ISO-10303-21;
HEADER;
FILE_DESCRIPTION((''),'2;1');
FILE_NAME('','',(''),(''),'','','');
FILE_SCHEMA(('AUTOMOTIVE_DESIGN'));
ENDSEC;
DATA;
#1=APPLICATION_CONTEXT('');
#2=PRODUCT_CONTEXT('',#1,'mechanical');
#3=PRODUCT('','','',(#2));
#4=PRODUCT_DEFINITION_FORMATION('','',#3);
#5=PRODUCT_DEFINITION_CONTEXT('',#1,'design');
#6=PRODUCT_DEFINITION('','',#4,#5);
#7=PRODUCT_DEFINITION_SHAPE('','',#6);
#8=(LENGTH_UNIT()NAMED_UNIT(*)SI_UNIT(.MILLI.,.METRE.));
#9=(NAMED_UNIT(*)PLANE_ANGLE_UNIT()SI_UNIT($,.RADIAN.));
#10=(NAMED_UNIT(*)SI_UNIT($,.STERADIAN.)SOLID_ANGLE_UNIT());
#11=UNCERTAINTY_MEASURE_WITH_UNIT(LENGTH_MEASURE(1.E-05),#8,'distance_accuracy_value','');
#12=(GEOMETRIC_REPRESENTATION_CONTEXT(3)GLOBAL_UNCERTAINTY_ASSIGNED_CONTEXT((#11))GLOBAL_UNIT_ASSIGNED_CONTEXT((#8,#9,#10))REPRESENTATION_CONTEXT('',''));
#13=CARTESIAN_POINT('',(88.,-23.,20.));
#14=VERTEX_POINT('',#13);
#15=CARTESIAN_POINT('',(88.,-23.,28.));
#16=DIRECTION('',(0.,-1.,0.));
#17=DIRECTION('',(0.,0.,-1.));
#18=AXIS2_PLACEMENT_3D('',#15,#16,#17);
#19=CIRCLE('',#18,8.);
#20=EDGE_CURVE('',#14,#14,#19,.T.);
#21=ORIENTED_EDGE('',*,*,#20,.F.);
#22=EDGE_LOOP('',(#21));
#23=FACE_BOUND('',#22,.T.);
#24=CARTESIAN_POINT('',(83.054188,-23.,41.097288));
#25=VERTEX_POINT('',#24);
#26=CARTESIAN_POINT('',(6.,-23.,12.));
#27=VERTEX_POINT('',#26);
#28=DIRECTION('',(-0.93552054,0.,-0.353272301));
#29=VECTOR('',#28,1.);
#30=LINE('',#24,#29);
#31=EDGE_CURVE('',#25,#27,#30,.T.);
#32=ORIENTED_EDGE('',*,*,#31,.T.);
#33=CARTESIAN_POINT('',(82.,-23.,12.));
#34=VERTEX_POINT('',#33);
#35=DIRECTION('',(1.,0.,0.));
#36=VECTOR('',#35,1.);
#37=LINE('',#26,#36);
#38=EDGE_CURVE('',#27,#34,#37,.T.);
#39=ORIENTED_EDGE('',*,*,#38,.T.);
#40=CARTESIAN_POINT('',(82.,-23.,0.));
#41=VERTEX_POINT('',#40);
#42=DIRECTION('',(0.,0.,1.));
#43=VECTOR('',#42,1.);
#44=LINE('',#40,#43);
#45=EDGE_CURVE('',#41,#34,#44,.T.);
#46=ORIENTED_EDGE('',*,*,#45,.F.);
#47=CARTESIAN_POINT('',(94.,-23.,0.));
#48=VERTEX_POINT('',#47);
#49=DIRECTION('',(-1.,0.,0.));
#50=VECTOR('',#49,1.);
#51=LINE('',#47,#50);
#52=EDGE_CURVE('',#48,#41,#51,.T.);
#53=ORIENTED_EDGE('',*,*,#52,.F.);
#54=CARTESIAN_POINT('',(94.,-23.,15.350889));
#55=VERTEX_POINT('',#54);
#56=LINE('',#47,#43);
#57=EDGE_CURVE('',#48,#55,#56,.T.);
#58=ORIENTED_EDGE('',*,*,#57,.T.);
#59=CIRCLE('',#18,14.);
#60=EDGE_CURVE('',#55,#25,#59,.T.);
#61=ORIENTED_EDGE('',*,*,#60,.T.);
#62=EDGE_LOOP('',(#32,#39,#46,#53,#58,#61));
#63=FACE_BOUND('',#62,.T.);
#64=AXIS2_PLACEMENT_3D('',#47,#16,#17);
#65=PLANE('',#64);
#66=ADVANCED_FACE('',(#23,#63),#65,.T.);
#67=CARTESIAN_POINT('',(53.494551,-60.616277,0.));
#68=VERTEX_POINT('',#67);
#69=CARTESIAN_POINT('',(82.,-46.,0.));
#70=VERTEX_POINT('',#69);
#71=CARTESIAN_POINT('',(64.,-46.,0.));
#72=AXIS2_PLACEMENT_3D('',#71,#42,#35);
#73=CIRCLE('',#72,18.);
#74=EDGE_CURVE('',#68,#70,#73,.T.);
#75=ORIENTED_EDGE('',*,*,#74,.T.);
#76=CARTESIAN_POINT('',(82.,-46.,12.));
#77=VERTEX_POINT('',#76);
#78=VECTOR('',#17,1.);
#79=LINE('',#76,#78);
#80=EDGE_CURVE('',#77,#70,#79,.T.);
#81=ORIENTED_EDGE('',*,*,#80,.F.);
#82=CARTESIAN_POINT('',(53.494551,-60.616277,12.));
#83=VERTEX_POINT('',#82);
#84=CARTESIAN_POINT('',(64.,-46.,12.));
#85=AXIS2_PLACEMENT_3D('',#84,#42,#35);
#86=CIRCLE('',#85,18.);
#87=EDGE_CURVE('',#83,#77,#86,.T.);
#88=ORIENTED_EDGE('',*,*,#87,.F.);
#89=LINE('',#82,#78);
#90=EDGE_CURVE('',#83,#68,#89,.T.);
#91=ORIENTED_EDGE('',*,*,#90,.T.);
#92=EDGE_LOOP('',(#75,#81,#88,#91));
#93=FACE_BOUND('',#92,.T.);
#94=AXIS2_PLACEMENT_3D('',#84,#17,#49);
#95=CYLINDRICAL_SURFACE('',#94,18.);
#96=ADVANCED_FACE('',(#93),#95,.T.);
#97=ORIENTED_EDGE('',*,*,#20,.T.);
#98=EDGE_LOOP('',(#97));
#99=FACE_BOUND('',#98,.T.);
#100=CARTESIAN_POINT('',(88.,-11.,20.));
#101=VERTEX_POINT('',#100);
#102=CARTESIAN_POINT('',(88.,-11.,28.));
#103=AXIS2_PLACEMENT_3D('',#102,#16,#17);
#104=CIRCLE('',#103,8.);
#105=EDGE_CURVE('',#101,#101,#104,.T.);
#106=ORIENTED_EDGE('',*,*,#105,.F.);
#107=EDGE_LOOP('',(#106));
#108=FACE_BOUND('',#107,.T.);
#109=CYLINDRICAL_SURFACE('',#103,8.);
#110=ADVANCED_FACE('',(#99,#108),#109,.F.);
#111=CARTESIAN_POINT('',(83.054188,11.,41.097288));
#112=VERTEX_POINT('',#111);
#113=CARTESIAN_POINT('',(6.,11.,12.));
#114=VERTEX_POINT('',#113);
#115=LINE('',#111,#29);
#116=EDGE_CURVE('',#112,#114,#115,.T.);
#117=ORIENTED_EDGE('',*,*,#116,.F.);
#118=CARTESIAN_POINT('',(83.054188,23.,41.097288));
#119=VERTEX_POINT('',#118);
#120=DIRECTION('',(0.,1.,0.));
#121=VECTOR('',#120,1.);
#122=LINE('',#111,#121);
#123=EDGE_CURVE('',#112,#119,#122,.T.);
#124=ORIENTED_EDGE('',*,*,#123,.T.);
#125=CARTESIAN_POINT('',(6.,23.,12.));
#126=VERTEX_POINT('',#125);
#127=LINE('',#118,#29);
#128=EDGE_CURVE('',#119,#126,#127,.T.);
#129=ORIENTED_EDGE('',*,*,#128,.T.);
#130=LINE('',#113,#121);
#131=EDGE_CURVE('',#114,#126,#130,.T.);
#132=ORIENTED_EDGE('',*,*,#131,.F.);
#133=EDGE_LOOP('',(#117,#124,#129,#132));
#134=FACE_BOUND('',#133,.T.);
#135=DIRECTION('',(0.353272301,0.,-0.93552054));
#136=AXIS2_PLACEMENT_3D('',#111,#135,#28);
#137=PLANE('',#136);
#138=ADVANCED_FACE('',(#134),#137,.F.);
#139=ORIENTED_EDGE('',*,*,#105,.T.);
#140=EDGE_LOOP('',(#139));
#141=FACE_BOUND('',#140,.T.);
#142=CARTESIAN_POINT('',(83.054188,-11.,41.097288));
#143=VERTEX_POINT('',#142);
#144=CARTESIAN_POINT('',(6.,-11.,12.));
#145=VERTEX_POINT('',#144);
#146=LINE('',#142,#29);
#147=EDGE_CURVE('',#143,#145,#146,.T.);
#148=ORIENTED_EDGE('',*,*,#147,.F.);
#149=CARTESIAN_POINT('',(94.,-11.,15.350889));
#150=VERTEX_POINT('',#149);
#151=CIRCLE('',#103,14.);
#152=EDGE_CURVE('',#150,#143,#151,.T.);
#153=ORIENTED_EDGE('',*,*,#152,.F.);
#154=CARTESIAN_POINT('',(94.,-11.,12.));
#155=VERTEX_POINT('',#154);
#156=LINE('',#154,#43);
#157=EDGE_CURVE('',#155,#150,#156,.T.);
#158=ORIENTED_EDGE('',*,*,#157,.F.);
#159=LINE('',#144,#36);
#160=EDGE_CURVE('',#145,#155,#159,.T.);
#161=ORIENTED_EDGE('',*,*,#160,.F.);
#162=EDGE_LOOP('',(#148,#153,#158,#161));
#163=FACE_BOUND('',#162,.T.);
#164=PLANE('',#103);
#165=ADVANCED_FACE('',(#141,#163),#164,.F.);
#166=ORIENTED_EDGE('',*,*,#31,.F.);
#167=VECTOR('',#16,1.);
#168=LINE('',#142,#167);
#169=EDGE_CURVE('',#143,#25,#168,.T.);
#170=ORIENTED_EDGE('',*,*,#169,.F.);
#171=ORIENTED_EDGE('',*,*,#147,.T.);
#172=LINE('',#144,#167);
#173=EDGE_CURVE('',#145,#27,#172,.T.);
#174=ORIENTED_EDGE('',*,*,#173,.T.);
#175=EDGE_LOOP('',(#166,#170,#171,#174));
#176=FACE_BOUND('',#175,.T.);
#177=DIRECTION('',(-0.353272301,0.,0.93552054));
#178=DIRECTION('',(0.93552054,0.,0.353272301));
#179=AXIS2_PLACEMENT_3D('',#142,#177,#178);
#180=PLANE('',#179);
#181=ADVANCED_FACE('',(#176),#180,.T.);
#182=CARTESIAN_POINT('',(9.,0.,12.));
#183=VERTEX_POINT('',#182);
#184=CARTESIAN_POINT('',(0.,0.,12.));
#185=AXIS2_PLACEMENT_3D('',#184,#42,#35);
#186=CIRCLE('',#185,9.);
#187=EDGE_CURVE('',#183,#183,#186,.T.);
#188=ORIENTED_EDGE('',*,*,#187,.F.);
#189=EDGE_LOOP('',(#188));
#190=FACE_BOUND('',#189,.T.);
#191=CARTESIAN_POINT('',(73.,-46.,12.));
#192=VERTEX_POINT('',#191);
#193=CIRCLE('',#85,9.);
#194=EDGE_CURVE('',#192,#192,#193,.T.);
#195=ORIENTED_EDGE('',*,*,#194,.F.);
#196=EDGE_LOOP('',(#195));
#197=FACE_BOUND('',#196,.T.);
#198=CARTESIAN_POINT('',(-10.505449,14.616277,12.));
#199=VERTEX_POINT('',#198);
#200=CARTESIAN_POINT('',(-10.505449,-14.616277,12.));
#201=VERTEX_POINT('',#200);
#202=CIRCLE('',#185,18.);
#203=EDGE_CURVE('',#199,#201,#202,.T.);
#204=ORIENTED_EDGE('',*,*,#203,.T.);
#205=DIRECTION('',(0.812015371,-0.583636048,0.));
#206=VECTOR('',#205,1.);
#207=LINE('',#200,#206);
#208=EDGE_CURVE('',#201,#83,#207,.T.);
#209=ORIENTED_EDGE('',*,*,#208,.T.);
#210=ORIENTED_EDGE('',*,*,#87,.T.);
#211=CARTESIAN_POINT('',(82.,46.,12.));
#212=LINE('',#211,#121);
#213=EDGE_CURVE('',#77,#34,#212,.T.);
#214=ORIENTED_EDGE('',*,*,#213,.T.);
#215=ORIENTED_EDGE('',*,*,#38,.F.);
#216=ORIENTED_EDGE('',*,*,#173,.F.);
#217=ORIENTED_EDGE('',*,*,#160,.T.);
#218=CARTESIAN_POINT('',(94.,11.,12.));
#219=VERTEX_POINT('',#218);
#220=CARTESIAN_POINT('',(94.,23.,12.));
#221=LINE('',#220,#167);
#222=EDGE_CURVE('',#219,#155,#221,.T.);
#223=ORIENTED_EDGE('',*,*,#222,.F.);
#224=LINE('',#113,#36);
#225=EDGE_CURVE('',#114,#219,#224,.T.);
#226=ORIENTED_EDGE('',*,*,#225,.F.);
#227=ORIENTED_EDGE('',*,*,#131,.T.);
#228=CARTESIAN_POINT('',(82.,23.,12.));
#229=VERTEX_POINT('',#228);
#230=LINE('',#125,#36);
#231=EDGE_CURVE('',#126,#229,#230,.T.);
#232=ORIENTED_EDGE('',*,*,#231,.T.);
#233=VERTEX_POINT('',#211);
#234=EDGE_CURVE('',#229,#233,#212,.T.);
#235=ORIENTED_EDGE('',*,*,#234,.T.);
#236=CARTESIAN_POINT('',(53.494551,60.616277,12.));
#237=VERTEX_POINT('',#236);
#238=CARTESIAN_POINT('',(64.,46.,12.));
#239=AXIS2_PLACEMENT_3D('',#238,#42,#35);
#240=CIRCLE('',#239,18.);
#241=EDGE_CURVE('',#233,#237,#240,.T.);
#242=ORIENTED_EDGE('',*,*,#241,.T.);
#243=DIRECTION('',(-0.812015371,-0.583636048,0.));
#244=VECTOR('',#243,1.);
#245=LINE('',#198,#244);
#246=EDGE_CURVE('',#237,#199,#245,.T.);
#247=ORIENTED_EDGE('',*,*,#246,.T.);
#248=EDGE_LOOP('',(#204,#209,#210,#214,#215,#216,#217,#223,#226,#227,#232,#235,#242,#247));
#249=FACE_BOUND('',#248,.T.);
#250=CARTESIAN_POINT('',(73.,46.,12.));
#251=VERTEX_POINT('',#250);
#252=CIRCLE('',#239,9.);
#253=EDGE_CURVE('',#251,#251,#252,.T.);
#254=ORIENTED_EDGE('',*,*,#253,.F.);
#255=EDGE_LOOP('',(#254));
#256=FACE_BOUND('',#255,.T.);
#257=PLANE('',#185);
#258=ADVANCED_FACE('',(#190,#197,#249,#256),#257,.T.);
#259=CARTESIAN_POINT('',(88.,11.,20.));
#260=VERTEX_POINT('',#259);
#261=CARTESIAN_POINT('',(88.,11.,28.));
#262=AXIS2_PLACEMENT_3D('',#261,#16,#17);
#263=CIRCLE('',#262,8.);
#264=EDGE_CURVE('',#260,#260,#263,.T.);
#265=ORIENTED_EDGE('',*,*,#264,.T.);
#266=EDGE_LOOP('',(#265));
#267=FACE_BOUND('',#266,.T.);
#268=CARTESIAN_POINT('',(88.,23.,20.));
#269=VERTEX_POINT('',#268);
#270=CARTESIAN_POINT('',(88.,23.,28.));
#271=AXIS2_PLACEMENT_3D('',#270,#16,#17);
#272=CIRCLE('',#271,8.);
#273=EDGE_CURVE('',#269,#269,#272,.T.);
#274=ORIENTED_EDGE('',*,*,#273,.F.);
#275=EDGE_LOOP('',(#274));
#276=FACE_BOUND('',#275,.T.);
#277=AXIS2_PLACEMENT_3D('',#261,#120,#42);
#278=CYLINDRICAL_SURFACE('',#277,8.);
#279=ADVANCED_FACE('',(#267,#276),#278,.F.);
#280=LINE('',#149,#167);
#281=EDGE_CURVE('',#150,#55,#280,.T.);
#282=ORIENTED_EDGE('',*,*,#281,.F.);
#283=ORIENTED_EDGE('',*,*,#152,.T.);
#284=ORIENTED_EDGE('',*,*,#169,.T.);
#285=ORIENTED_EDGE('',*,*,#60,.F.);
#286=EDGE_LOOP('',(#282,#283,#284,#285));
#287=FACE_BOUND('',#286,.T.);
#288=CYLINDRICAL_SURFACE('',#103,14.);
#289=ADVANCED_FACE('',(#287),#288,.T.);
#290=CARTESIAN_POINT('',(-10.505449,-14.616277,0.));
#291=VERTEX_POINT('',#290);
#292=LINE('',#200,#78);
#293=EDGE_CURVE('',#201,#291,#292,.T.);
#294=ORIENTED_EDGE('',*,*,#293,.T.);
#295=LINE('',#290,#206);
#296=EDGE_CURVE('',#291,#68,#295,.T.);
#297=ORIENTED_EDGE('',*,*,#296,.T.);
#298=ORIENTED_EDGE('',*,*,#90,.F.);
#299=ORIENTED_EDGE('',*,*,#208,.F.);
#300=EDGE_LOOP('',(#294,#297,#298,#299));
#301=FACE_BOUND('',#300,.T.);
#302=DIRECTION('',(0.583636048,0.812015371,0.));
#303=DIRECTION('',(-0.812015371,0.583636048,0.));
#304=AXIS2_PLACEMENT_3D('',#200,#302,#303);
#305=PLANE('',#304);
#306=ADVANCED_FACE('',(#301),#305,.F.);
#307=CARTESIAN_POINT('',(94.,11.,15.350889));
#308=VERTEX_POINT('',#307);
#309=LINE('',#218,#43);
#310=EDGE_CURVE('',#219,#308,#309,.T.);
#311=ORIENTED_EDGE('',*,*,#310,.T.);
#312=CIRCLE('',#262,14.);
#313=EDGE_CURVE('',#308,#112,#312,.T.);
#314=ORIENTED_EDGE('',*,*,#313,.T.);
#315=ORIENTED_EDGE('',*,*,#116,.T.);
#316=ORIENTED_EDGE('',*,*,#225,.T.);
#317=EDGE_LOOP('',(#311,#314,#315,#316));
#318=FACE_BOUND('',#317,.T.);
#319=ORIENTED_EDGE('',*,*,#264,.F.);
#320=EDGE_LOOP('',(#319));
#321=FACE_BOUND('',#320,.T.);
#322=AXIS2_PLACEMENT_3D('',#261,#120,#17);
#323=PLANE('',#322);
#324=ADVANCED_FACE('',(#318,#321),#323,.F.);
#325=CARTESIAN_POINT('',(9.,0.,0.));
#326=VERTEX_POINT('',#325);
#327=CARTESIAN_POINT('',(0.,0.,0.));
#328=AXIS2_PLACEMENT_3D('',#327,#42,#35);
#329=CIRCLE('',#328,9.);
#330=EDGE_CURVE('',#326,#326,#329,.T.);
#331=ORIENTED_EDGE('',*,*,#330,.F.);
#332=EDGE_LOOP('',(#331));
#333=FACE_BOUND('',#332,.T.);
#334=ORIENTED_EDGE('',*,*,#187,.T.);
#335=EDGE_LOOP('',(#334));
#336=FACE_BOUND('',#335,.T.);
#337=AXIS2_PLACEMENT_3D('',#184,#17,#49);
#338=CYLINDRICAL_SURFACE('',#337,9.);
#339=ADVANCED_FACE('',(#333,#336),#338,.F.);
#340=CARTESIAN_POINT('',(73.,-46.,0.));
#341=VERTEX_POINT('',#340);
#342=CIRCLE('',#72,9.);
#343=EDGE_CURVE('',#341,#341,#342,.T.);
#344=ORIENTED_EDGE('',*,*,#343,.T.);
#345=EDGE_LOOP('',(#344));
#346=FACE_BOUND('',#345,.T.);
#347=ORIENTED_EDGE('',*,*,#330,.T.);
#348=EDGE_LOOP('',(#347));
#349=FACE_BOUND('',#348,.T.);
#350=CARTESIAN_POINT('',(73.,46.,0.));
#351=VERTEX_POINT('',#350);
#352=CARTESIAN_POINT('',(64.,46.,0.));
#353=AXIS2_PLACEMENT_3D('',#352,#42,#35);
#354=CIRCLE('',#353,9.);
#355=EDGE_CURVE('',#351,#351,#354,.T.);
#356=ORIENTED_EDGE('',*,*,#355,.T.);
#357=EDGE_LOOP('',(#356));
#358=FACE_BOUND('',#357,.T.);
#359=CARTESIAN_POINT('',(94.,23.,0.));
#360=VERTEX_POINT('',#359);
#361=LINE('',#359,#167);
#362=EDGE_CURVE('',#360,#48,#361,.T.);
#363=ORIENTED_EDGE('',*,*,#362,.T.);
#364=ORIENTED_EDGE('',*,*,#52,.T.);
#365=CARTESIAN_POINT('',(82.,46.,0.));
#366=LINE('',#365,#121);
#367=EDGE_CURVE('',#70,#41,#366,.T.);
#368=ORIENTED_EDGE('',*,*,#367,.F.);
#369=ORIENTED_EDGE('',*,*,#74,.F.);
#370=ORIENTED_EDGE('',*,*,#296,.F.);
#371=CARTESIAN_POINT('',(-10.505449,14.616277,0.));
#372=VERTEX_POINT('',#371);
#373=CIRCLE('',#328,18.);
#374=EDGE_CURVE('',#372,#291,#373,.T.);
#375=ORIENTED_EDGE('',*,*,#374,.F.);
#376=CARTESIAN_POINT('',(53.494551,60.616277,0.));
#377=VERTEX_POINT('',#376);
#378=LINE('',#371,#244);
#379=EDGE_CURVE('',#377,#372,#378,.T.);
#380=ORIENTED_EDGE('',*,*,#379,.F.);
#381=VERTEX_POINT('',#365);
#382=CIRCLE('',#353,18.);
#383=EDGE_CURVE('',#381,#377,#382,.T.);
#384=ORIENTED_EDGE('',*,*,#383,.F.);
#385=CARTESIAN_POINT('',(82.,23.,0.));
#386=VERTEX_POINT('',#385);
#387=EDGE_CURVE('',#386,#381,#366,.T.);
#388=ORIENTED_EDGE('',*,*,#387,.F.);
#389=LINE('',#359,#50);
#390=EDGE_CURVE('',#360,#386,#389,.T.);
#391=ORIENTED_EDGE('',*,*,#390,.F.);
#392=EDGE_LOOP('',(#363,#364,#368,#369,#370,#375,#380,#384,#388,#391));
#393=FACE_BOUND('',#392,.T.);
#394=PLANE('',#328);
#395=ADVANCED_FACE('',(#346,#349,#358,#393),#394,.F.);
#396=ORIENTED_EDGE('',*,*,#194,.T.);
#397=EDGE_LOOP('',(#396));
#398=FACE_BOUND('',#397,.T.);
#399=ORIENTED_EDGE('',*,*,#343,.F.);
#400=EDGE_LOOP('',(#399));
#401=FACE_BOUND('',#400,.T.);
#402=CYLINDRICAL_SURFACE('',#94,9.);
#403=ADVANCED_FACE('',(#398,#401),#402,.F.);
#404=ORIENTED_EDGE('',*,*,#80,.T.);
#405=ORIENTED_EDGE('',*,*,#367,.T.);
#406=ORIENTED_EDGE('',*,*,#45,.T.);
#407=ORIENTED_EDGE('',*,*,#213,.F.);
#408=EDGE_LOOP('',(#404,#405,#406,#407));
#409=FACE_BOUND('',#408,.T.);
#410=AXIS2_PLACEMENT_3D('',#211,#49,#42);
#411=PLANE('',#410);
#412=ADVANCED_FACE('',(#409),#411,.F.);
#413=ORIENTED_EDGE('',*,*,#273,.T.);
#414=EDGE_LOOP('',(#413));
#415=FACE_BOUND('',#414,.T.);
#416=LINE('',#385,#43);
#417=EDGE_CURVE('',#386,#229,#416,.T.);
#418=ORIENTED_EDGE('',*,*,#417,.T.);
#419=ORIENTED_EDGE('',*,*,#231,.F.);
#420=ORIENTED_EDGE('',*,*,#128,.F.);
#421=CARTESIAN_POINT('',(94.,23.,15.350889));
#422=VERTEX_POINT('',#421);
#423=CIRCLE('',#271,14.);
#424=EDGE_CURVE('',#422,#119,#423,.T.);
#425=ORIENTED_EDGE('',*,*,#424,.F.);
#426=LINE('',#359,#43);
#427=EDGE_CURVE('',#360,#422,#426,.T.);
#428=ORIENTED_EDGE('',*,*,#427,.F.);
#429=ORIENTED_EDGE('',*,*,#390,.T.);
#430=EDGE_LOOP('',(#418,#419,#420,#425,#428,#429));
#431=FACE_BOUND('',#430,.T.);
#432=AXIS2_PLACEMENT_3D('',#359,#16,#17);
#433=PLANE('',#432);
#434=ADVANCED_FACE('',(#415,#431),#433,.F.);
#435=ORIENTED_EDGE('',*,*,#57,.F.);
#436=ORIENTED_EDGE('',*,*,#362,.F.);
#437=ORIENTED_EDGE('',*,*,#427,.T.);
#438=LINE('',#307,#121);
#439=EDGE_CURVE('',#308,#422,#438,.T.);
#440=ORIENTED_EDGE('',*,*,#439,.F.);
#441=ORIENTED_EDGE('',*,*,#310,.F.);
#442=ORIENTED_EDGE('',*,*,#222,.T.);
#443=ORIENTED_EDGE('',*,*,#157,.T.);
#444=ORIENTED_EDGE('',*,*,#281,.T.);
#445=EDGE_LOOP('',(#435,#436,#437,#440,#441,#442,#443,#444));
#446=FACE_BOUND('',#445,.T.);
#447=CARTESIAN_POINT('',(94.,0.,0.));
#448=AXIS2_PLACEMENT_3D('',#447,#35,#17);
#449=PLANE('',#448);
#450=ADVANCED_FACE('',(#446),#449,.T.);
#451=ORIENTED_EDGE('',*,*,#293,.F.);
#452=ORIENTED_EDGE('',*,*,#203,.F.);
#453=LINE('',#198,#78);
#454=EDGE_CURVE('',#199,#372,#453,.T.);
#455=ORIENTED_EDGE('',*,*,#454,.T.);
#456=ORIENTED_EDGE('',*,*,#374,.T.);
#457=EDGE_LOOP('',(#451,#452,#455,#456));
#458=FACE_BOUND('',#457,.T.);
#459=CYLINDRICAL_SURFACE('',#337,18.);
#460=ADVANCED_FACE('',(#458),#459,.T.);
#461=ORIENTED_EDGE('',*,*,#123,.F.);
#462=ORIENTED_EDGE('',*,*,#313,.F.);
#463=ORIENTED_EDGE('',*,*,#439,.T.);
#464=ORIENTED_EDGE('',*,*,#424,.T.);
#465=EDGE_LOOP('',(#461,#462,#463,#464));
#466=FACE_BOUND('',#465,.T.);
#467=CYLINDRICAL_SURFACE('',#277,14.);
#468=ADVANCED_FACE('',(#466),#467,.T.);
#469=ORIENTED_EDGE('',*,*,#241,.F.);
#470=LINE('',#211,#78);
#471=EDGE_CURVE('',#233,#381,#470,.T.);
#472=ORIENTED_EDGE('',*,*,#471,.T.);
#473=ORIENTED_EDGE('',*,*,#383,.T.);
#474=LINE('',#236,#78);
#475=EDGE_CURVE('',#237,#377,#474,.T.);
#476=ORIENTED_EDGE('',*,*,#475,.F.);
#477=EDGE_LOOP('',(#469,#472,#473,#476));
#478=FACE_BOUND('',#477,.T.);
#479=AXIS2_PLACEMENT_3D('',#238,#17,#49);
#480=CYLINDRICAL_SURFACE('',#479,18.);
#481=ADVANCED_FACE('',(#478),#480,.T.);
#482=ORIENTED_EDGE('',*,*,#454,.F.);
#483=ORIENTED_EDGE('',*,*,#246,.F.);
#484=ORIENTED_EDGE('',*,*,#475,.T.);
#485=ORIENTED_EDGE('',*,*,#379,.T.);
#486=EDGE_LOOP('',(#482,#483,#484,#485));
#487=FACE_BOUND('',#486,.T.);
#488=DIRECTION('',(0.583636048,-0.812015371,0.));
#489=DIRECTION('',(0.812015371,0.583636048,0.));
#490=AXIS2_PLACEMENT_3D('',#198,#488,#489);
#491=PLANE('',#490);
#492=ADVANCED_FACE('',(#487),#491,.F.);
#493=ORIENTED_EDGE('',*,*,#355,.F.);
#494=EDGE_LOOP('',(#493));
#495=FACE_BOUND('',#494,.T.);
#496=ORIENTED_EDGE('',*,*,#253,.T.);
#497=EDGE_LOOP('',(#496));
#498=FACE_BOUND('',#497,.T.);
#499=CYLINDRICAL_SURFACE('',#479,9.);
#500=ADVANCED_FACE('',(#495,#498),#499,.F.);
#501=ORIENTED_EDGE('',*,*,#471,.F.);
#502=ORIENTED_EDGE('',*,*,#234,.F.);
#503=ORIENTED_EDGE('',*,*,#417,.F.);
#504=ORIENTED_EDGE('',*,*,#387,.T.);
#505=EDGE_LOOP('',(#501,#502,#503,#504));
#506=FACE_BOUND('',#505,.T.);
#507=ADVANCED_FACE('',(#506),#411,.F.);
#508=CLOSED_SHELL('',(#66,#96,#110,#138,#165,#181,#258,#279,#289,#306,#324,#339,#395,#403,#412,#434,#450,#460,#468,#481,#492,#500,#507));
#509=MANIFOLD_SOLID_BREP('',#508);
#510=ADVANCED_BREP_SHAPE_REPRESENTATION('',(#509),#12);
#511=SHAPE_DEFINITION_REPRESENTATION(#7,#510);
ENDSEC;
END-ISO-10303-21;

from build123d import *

# Parameters (mm, degrees)
SKETCH1_R            = 9
BOSS_EXTRUDE1_DEPTH  = 12
SKETCH6_W            = 12
SKETCH6_H            = 46
BOSS_EXTRUDE5_DEPTH  = 12
SKETCH7_R            = 8
BOSS_EXTRUDE17_DEPTH = 12


with BuildPart() as part:
    # Sketch1 → Boss-Extrude1 (new body)
    with BuildSketch(Plane.XY):
        with BuildLine():
            Line((-10.505448867, 14.616276684), (53.494551133, 60.616276684))
            ThreePointArc((53.494551133, 60.616276684), (72.212853353, 62.017148304), (82, 46))
            Line((82, 46), (82, -46))
            ThreePointArc((82, -46), (72.212853353, -62.017148304), (53.494551133, -60.616276684))
            Line((53.494551133, -60.616276684), (-10.505448867, -14.616276684))
            ThreePointArc((-10.505448867, -14.616276684), (-18, 0), (-10.505448867, 14.616276684))
        make_face()
        Circle(SKETCH1_R, mode=Mode.SUBTRACT)
        with Locations((64, 46)):
            Circle(SKETCH1_R, mode=Mode.SUBTRACT)
        with Locations((64, -46)):
            Circle(SKETCH1_R, mode=Mode.SUBTRACT)
    extrude(amount=BOSS_EXTRUDE1_DEPTH)

    # Sketch6 → Boss-Extrude5 (add)
    with BuildSketch(Plane(origin=(82, 0, 0), x_dir=(0, 0, -1), z_dir=(1, 0, 0))):
        with Locations((-6, 0)):
            Rectangle(SKETCH6_W, SKETCH6_H)
    extrude(amount=BOSS_EXTRUDE5_DEPTH)

    # Sketch7 → Boss-Extrude17 (add)
    with BuildSketch(Plane.XZ.offset(23)):
        with BuildLine():
            Line((6, 12), (94, 12))
            Line((94, 12), (94, 15.350889359))
            ThreePointArc((94, 15.350889359), (100.88398553, 33.477491841), (83.054187792, 41.097287567))
            Line((83.054187792, 41.097287567), (6, 12))
        make_face()
        with Locations((88, 28)):
            Circle(SKETCH7_R, mode=Mode.SUBTRACT)
    boss_extrude17 = extrude(amount=-BOSS_EXTRUDE17_DEPTH)

    # Mirror2: Boss-Extrude17 across plane
    add(boss_extrude17.mirror(Plane.ZX))


solid = part.part
